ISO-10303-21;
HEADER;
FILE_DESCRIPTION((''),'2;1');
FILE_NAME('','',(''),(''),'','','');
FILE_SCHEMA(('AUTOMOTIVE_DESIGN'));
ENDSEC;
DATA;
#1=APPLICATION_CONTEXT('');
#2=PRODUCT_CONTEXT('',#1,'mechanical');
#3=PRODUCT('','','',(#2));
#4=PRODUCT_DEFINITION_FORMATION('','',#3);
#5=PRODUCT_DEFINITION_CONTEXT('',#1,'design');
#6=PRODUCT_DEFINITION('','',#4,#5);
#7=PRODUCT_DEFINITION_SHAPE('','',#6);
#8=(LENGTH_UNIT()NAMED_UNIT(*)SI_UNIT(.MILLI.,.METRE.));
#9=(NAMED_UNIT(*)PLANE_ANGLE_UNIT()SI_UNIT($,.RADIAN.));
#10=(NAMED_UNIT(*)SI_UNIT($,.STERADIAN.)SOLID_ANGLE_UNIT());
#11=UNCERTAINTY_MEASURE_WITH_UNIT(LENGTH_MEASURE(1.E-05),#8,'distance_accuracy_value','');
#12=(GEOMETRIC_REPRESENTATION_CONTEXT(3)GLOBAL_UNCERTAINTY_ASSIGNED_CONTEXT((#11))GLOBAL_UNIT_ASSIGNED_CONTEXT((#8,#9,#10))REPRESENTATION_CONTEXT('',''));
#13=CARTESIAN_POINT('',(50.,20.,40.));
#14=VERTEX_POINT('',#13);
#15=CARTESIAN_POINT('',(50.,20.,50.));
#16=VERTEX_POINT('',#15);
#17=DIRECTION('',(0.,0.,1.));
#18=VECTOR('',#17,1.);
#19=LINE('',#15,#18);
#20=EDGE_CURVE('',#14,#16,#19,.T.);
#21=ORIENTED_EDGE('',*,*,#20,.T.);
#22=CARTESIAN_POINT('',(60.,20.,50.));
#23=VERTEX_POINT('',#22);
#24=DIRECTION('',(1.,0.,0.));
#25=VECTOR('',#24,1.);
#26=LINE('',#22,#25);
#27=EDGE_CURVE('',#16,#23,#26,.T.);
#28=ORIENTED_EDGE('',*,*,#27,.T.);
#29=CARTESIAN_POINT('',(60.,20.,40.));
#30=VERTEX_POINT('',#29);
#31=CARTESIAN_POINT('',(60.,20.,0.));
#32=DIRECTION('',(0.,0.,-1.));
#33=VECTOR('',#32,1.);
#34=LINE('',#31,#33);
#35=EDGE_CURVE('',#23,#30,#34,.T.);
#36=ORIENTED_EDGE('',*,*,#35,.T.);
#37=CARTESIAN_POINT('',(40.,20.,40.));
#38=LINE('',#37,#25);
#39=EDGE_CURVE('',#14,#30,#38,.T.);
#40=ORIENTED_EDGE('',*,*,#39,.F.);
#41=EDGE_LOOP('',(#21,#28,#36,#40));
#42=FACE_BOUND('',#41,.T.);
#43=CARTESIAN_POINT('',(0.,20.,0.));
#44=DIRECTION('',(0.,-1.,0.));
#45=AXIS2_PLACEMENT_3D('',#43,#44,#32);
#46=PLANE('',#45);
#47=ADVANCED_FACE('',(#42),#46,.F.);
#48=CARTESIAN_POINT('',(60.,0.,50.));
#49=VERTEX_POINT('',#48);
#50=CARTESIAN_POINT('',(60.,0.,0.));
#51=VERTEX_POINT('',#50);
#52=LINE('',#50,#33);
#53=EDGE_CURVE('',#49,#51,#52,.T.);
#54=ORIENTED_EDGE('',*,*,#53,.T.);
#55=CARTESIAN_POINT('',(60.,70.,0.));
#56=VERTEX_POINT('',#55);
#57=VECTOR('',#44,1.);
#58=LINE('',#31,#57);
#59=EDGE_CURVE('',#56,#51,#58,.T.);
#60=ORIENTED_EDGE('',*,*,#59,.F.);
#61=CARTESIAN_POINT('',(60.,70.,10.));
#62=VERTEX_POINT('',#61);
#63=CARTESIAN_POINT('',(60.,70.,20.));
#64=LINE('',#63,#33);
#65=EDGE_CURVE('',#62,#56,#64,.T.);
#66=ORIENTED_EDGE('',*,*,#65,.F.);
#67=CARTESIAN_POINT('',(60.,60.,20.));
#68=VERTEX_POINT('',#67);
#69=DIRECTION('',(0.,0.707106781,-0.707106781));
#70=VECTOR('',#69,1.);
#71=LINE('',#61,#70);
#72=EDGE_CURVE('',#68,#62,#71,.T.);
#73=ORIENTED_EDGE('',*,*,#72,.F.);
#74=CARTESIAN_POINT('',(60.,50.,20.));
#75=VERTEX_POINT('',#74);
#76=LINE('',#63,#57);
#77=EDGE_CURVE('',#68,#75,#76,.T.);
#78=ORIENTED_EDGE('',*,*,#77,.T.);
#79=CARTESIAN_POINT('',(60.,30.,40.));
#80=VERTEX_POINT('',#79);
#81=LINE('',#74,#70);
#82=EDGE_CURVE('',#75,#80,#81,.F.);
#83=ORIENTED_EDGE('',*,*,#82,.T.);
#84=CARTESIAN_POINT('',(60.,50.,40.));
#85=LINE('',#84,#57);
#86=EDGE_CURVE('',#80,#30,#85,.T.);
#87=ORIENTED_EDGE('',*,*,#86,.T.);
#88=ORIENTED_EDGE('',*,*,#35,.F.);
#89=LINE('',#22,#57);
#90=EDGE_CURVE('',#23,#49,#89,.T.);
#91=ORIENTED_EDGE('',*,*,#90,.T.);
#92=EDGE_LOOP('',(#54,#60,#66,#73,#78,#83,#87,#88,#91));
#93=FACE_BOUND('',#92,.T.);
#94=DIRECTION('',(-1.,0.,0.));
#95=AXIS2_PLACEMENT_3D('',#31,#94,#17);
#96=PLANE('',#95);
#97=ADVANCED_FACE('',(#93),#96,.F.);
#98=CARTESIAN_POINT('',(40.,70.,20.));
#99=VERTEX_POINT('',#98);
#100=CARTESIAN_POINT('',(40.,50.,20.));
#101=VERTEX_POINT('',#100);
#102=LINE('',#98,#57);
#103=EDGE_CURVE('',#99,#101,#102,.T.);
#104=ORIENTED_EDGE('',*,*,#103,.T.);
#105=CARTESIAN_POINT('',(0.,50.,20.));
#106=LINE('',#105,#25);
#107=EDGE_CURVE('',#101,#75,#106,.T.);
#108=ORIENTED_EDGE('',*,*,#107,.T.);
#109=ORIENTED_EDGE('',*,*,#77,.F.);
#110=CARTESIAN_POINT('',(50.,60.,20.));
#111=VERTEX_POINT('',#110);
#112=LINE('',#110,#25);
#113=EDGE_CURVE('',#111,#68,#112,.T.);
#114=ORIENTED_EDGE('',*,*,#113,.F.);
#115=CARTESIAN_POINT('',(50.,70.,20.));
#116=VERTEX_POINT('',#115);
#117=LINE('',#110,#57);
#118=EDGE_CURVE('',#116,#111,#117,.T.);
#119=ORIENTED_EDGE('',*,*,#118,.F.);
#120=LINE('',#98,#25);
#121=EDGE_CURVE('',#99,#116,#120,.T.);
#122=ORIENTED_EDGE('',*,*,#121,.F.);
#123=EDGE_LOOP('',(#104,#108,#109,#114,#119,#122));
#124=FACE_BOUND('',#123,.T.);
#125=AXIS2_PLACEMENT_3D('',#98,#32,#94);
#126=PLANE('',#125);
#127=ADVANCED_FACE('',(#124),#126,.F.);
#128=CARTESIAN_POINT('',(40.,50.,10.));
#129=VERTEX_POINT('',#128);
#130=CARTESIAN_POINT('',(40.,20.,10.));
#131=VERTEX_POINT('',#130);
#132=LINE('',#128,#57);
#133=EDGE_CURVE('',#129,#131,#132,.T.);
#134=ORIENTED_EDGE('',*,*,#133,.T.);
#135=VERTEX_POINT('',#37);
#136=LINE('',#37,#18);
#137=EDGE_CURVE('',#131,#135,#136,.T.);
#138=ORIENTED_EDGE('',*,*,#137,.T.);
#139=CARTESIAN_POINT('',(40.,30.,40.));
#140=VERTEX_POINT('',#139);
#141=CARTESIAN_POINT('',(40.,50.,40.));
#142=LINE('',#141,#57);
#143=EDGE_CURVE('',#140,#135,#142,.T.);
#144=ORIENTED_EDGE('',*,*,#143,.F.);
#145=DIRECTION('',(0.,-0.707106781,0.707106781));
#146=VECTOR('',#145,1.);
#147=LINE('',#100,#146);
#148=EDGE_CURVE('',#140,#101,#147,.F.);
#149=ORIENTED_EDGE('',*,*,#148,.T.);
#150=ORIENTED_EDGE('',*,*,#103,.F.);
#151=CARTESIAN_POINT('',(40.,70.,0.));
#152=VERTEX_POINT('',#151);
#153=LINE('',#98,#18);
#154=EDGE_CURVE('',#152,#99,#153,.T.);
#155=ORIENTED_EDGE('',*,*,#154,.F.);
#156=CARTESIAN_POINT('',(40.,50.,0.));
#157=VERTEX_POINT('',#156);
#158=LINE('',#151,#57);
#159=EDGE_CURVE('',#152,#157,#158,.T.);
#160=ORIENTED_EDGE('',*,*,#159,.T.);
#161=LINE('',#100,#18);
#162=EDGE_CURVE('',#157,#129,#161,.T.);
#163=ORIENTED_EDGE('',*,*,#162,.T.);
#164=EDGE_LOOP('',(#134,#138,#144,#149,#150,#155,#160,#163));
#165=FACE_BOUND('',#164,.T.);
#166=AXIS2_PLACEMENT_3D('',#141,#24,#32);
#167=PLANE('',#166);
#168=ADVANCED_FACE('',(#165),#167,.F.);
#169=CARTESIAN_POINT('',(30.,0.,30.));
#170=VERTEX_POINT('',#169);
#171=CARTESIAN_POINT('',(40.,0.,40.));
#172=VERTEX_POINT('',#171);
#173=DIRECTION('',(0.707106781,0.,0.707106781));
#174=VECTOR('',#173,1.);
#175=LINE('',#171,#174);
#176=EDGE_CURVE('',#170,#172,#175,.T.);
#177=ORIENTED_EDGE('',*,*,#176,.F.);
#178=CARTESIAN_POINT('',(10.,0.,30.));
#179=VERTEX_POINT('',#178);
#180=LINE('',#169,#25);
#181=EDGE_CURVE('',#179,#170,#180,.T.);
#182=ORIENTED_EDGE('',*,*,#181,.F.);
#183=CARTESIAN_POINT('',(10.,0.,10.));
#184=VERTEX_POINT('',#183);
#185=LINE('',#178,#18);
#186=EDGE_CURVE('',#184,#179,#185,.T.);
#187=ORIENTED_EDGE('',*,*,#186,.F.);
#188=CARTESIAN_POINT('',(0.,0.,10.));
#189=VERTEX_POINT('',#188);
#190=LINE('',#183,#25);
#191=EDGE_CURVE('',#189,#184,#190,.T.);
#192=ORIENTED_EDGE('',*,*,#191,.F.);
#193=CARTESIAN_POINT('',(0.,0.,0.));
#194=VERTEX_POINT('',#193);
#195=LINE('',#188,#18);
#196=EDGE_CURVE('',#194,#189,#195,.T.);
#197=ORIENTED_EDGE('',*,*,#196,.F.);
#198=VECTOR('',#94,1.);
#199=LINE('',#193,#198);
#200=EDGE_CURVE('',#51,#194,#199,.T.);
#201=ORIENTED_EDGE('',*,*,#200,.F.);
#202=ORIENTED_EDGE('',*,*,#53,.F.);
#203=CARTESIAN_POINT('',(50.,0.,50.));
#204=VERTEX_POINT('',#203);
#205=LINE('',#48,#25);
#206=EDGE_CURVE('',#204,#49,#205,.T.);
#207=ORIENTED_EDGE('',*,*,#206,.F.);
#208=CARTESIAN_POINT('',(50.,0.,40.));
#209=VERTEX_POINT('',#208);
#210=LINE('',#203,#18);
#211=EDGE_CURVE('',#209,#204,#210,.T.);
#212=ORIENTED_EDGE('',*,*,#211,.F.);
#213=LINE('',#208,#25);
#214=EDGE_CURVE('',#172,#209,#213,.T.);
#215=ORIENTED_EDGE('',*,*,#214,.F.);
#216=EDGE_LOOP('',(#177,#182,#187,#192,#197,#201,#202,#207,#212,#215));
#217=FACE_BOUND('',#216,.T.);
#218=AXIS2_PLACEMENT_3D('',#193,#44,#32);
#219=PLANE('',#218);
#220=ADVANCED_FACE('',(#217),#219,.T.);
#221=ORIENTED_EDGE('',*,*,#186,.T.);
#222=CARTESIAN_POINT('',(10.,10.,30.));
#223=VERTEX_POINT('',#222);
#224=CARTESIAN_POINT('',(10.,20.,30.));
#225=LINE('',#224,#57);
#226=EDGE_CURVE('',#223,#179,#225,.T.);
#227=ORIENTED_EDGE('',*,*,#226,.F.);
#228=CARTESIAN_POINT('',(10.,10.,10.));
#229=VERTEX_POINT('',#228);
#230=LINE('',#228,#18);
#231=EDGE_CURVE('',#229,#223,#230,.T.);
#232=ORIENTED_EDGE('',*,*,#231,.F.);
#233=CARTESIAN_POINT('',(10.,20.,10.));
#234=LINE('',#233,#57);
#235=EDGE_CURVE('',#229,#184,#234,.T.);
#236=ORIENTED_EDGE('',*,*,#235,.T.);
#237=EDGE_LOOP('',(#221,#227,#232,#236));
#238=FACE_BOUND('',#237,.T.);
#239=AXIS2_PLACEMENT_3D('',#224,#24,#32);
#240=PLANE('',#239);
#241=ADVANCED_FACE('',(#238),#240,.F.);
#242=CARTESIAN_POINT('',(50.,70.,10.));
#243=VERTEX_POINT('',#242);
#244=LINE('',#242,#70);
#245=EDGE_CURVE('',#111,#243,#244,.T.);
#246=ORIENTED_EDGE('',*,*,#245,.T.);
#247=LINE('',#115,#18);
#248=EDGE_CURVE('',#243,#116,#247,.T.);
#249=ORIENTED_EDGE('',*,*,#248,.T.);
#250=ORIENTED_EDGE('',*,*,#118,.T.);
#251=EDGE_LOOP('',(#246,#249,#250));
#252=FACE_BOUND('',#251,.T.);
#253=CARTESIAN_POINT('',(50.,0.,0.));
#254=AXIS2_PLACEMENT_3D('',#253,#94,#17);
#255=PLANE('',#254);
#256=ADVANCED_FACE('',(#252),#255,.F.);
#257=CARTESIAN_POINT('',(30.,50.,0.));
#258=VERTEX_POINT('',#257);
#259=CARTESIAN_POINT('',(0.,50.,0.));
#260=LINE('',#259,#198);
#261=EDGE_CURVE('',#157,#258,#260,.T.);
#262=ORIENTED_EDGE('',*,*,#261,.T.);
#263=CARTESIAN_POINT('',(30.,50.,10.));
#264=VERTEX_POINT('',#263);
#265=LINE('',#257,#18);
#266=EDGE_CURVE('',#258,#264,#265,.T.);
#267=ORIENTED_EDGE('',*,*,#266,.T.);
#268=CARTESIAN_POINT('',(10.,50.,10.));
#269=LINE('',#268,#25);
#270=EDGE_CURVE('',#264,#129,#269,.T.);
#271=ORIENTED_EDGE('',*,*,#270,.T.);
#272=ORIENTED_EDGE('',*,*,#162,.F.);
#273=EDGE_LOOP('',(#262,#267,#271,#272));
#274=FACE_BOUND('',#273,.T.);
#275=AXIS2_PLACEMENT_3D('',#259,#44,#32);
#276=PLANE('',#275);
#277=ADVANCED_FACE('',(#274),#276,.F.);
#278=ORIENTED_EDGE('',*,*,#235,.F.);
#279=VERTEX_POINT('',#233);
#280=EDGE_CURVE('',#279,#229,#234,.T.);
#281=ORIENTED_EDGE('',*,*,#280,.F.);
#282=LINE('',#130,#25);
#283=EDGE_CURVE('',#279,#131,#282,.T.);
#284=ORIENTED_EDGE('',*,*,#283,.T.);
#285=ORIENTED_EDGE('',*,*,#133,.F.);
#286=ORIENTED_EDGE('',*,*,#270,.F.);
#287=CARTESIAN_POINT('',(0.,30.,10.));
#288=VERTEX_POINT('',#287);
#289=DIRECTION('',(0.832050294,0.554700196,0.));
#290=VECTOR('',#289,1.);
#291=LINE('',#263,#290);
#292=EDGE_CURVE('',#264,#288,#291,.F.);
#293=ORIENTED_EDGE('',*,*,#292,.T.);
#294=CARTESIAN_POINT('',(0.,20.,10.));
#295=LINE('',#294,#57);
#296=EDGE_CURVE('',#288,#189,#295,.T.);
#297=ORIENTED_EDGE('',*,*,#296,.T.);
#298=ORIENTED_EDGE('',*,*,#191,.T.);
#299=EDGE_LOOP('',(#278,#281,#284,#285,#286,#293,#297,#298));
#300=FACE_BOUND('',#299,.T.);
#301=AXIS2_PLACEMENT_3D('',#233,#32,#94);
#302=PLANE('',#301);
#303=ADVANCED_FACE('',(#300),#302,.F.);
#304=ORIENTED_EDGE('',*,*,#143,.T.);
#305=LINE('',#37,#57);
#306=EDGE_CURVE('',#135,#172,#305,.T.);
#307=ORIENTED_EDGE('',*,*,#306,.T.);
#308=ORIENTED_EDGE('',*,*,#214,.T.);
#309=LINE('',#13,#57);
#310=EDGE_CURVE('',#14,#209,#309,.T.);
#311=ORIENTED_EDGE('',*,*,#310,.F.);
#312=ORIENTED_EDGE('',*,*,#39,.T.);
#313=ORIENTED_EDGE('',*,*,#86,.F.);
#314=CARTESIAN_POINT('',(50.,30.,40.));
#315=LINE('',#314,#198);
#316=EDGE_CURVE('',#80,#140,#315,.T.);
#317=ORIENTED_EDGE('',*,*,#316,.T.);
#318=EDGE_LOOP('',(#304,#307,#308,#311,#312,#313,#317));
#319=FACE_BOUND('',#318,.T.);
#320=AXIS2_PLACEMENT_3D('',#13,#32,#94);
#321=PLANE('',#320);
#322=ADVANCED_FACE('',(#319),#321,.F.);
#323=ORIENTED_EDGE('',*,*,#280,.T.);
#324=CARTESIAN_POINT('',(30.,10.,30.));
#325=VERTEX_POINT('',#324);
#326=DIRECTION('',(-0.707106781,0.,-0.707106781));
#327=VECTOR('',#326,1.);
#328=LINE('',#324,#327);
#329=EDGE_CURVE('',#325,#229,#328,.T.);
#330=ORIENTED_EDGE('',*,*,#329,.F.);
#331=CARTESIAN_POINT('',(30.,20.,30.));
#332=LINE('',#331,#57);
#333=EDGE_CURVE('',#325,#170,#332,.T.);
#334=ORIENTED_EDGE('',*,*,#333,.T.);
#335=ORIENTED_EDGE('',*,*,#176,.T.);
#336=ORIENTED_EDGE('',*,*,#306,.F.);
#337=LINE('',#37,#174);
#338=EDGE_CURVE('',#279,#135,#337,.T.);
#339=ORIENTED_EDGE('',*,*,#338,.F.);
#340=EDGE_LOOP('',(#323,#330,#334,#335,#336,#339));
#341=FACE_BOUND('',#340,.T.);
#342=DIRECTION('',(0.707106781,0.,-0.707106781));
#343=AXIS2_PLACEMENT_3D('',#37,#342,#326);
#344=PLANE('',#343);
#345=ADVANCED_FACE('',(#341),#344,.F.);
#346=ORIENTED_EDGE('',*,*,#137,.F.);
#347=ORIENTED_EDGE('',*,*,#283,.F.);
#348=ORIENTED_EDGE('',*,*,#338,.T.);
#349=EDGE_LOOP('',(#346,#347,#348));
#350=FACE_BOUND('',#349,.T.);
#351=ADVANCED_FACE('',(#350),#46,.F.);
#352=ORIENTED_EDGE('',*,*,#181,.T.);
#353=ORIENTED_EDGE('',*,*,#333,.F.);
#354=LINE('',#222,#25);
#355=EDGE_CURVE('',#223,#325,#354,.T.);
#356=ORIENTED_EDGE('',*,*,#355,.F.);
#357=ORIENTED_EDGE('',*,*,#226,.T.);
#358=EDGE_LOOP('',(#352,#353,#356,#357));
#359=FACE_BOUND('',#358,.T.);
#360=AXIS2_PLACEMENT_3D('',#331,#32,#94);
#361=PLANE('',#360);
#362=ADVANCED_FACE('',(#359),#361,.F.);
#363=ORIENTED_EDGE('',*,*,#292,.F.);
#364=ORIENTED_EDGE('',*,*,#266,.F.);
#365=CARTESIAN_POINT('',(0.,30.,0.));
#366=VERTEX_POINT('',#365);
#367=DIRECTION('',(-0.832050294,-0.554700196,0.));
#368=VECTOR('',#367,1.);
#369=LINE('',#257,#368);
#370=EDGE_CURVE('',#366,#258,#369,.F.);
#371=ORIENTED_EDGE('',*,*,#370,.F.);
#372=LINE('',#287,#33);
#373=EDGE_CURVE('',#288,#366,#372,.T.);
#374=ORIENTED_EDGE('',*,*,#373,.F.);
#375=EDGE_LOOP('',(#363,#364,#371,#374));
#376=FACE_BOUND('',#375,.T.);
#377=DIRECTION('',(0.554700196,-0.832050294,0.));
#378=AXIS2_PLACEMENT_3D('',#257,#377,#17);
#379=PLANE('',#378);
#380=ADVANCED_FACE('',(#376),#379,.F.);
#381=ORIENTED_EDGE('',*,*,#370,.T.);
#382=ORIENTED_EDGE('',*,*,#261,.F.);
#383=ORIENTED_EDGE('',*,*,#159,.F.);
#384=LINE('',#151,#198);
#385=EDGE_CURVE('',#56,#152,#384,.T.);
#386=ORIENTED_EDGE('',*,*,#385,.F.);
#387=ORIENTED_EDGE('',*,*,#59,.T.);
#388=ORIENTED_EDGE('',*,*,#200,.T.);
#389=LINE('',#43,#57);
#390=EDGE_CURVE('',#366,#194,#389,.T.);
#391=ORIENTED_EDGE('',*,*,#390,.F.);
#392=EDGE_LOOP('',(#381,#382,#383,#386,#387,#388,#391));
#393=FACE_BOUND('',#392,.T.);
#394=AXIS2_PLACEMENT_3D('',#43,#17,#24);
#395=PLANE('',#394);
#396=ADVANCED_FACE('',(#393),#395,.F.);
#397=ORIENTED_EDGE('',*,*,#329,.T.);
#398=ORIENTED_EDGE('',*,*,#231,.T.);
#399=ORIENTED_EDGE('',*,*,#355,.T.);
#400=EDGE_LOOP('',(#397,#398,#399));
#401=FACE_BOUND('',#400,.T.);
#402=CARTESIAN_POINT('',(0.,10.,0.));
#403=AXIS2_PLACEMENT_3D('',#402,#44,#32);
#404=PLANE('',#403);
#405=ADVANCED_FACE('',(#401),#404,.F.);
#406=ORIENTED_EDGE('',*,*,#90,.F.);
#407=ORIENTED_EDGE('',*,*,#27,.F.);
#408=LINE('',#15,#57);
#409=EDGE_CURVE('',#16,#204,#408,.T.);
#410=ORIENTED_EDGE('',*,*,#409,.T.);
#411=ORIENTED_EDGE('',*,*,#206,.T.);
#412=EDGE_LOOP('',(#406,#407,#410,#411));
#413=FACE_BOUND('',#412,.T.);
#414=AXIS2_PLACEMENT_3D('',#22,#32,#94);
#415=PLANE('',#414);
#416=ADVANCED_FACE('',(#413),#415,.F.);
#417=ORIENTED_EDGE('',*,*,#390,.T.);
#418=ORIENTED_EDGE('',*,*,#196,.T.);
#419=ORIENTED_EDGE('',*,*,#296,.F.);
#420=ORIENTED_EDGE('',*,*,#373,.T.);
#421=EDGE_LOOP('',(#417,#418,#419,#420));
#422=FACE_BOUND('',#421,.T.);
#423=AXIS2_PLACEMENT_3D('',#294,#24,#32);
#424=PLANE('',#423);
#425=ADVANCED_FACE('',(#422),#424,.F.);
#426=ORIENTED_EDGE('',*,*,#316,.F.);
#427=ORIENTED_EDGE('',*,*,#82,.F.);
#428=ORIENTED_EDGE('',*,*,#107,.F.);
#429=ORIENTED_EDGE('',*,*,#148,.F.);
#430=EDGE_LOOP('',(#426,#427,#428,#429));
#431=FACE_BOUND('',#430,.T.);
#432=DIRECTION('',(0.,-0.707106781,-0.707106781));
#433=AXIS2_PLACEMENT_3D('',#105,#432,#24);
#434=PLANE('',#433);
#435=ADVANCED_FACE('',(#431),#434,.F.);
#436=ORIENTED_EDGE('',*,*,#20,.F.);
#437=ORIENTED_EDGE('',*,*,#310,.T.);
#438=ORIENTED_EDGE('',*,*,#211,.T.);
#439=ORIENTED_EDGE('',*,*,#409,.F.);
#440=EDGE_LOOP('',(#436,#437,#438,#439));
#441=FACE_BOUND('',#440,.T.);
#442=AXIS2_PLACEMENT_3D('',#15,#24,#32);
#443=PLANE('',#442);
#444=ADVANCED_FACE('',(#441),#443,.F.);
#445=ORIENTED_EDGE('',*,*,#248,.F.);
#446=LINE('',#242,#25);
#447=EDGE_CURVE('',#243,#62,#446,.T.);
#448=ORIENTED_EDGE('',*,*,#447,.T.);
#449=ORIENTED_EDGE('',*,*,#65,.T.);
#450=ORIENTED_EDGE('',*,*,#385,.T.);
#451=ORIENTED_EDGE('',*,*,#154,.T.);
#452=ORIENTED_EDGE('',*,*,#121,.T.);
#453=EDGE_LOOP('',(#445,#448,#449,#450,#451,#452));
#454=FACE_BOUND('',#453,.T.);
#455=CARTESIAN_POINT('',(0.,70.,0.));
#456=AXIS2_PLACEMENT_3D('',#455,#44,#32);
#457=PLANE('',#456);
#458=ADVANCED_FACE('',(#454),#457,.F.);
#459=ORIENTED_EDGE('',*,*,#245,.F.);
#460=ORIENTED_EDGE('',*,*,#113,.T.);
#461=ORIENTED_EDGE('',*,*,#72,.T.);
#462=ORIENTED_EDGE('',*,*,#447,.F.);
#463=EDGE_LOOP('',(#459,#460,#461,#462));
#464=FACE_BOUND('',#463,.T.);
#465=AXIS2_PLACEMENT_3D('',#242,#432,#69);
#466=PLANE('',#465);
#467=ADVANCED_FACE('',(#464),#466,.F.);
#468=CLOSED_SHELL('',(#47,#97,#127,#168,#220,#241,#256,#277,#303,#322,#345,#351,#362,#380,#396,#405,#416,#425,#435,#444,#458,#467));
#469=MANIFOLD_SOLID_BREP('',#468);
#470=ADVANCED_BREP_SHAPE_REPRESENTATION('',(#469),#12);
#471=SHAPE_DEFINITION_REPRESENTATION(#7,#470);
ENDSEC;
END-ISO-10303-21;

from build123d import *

# Parameters (mm, degrees)
BOSS_EXTRUDE1_DEPTH = 20
CUT_EXTRUDE1_DEPTH  = 10
BOSS_EXTRUDE2_DEPTH = 30
CHAMFER1_SIZE       = 20
CHAMFER2_SIZE       = 20
CHAMFER2_SIZE2      = 30
SKETCH4_W           = 20
SKETCH4_H           = 20
BOSS_EXTRUDE3_DEPTH = 20
CUT_EXTRUDE2_DEPTH  = 10


with BuildPart() as part:
    # Sketch1 → Boss-Extrude1 (new body)
    with BuildSketch(Plane(origin=(0, 0, 0), x_dir=(1, 0, 0), z_dir=(0, 1, 0))):
        Polygon((0, 0), (60, 0), (60, -50), (50, -50), (50, -40), (40, -40), (30, -30), (10, -30), (10, -10), (0, -10), align=None)
    extrude(amount=BOSS_EXTRUDE1_DEPTH)

    # Sketch2 → Cut-Extrude1 (cut)
    with BuildSketch(Plane(origin=(0, 20, 0), x_dir=(1, 0, 0), z_dir=(0, 1, 0))):
        Polygon((30, -30), (10, -10), (10, -30), align=None)
    extrude(amount=-CUT_EXTRUDE1_DEPTH, mode=Mode.SUBTRACT)

    # Sketch3 → Boss-Extrude2 (add)
    with BuildSketch(Plane(origin=(0, 20, 0), x_dir=(1, 0, 0), z_dir=(0, 1, 0))):
        Polygon((0, 0), (60, 0), (60, -40), (40, -40), (40, -10), (10, -10), (0, -10), align=None)
    extrude(amount=BOSS_EXTRUDE2_DEPTH)

    # Chamfer1
    chamfer1_edges = [part.edges().sort_by_distance(p)[0] for p in [
        (50, 50, 40),
    ]]
    chamfer(chamfer1_edges, length=CHAMFER1_SIZE)

    # Chamfer2
    chamfer2_edges = [part.edges().sort_by_distance(p)[0] for p in [
        (0, 50, 5),
    ]]
    chamfer2_side = [part.faces().sort_by_distance(p)[0] for p in [
        (0, 25, 5),
    ]]
    chamfer(chamfer2_edges, length=CHAMFER2_SIZE, length2=CHAMFER2_SIZE2, reference=chamfer2_side[0])

    # Sketch4 → Boss-Extrude3 (add)
    with BuildSketch(Plane(origin=(0, 50, 0), x_dir=(1, 0, 0), z_dir=(0, 1, 0))):
        with Locations((50, -10)):
            Rectangle(SKETCH4_W, SKETCH4_H)
    extrude(amount=BOSS_EXTRUDE3_DEPTH)

    # Sketch5 → Cut-Extrude2 (cut)
    with BuildSketch(Plane(origin=(60, 0, 0), x_dir=(0, 0, -1), z_dir=(1, 0, 0))):
        Polygon((-20, 70), (-10, 70), (-20, 60), align=None)
    extrude(amount=-CUT_EXTRUDE2_DEPTH, mode=Mode.SUBTRACT)


solid = part.part
